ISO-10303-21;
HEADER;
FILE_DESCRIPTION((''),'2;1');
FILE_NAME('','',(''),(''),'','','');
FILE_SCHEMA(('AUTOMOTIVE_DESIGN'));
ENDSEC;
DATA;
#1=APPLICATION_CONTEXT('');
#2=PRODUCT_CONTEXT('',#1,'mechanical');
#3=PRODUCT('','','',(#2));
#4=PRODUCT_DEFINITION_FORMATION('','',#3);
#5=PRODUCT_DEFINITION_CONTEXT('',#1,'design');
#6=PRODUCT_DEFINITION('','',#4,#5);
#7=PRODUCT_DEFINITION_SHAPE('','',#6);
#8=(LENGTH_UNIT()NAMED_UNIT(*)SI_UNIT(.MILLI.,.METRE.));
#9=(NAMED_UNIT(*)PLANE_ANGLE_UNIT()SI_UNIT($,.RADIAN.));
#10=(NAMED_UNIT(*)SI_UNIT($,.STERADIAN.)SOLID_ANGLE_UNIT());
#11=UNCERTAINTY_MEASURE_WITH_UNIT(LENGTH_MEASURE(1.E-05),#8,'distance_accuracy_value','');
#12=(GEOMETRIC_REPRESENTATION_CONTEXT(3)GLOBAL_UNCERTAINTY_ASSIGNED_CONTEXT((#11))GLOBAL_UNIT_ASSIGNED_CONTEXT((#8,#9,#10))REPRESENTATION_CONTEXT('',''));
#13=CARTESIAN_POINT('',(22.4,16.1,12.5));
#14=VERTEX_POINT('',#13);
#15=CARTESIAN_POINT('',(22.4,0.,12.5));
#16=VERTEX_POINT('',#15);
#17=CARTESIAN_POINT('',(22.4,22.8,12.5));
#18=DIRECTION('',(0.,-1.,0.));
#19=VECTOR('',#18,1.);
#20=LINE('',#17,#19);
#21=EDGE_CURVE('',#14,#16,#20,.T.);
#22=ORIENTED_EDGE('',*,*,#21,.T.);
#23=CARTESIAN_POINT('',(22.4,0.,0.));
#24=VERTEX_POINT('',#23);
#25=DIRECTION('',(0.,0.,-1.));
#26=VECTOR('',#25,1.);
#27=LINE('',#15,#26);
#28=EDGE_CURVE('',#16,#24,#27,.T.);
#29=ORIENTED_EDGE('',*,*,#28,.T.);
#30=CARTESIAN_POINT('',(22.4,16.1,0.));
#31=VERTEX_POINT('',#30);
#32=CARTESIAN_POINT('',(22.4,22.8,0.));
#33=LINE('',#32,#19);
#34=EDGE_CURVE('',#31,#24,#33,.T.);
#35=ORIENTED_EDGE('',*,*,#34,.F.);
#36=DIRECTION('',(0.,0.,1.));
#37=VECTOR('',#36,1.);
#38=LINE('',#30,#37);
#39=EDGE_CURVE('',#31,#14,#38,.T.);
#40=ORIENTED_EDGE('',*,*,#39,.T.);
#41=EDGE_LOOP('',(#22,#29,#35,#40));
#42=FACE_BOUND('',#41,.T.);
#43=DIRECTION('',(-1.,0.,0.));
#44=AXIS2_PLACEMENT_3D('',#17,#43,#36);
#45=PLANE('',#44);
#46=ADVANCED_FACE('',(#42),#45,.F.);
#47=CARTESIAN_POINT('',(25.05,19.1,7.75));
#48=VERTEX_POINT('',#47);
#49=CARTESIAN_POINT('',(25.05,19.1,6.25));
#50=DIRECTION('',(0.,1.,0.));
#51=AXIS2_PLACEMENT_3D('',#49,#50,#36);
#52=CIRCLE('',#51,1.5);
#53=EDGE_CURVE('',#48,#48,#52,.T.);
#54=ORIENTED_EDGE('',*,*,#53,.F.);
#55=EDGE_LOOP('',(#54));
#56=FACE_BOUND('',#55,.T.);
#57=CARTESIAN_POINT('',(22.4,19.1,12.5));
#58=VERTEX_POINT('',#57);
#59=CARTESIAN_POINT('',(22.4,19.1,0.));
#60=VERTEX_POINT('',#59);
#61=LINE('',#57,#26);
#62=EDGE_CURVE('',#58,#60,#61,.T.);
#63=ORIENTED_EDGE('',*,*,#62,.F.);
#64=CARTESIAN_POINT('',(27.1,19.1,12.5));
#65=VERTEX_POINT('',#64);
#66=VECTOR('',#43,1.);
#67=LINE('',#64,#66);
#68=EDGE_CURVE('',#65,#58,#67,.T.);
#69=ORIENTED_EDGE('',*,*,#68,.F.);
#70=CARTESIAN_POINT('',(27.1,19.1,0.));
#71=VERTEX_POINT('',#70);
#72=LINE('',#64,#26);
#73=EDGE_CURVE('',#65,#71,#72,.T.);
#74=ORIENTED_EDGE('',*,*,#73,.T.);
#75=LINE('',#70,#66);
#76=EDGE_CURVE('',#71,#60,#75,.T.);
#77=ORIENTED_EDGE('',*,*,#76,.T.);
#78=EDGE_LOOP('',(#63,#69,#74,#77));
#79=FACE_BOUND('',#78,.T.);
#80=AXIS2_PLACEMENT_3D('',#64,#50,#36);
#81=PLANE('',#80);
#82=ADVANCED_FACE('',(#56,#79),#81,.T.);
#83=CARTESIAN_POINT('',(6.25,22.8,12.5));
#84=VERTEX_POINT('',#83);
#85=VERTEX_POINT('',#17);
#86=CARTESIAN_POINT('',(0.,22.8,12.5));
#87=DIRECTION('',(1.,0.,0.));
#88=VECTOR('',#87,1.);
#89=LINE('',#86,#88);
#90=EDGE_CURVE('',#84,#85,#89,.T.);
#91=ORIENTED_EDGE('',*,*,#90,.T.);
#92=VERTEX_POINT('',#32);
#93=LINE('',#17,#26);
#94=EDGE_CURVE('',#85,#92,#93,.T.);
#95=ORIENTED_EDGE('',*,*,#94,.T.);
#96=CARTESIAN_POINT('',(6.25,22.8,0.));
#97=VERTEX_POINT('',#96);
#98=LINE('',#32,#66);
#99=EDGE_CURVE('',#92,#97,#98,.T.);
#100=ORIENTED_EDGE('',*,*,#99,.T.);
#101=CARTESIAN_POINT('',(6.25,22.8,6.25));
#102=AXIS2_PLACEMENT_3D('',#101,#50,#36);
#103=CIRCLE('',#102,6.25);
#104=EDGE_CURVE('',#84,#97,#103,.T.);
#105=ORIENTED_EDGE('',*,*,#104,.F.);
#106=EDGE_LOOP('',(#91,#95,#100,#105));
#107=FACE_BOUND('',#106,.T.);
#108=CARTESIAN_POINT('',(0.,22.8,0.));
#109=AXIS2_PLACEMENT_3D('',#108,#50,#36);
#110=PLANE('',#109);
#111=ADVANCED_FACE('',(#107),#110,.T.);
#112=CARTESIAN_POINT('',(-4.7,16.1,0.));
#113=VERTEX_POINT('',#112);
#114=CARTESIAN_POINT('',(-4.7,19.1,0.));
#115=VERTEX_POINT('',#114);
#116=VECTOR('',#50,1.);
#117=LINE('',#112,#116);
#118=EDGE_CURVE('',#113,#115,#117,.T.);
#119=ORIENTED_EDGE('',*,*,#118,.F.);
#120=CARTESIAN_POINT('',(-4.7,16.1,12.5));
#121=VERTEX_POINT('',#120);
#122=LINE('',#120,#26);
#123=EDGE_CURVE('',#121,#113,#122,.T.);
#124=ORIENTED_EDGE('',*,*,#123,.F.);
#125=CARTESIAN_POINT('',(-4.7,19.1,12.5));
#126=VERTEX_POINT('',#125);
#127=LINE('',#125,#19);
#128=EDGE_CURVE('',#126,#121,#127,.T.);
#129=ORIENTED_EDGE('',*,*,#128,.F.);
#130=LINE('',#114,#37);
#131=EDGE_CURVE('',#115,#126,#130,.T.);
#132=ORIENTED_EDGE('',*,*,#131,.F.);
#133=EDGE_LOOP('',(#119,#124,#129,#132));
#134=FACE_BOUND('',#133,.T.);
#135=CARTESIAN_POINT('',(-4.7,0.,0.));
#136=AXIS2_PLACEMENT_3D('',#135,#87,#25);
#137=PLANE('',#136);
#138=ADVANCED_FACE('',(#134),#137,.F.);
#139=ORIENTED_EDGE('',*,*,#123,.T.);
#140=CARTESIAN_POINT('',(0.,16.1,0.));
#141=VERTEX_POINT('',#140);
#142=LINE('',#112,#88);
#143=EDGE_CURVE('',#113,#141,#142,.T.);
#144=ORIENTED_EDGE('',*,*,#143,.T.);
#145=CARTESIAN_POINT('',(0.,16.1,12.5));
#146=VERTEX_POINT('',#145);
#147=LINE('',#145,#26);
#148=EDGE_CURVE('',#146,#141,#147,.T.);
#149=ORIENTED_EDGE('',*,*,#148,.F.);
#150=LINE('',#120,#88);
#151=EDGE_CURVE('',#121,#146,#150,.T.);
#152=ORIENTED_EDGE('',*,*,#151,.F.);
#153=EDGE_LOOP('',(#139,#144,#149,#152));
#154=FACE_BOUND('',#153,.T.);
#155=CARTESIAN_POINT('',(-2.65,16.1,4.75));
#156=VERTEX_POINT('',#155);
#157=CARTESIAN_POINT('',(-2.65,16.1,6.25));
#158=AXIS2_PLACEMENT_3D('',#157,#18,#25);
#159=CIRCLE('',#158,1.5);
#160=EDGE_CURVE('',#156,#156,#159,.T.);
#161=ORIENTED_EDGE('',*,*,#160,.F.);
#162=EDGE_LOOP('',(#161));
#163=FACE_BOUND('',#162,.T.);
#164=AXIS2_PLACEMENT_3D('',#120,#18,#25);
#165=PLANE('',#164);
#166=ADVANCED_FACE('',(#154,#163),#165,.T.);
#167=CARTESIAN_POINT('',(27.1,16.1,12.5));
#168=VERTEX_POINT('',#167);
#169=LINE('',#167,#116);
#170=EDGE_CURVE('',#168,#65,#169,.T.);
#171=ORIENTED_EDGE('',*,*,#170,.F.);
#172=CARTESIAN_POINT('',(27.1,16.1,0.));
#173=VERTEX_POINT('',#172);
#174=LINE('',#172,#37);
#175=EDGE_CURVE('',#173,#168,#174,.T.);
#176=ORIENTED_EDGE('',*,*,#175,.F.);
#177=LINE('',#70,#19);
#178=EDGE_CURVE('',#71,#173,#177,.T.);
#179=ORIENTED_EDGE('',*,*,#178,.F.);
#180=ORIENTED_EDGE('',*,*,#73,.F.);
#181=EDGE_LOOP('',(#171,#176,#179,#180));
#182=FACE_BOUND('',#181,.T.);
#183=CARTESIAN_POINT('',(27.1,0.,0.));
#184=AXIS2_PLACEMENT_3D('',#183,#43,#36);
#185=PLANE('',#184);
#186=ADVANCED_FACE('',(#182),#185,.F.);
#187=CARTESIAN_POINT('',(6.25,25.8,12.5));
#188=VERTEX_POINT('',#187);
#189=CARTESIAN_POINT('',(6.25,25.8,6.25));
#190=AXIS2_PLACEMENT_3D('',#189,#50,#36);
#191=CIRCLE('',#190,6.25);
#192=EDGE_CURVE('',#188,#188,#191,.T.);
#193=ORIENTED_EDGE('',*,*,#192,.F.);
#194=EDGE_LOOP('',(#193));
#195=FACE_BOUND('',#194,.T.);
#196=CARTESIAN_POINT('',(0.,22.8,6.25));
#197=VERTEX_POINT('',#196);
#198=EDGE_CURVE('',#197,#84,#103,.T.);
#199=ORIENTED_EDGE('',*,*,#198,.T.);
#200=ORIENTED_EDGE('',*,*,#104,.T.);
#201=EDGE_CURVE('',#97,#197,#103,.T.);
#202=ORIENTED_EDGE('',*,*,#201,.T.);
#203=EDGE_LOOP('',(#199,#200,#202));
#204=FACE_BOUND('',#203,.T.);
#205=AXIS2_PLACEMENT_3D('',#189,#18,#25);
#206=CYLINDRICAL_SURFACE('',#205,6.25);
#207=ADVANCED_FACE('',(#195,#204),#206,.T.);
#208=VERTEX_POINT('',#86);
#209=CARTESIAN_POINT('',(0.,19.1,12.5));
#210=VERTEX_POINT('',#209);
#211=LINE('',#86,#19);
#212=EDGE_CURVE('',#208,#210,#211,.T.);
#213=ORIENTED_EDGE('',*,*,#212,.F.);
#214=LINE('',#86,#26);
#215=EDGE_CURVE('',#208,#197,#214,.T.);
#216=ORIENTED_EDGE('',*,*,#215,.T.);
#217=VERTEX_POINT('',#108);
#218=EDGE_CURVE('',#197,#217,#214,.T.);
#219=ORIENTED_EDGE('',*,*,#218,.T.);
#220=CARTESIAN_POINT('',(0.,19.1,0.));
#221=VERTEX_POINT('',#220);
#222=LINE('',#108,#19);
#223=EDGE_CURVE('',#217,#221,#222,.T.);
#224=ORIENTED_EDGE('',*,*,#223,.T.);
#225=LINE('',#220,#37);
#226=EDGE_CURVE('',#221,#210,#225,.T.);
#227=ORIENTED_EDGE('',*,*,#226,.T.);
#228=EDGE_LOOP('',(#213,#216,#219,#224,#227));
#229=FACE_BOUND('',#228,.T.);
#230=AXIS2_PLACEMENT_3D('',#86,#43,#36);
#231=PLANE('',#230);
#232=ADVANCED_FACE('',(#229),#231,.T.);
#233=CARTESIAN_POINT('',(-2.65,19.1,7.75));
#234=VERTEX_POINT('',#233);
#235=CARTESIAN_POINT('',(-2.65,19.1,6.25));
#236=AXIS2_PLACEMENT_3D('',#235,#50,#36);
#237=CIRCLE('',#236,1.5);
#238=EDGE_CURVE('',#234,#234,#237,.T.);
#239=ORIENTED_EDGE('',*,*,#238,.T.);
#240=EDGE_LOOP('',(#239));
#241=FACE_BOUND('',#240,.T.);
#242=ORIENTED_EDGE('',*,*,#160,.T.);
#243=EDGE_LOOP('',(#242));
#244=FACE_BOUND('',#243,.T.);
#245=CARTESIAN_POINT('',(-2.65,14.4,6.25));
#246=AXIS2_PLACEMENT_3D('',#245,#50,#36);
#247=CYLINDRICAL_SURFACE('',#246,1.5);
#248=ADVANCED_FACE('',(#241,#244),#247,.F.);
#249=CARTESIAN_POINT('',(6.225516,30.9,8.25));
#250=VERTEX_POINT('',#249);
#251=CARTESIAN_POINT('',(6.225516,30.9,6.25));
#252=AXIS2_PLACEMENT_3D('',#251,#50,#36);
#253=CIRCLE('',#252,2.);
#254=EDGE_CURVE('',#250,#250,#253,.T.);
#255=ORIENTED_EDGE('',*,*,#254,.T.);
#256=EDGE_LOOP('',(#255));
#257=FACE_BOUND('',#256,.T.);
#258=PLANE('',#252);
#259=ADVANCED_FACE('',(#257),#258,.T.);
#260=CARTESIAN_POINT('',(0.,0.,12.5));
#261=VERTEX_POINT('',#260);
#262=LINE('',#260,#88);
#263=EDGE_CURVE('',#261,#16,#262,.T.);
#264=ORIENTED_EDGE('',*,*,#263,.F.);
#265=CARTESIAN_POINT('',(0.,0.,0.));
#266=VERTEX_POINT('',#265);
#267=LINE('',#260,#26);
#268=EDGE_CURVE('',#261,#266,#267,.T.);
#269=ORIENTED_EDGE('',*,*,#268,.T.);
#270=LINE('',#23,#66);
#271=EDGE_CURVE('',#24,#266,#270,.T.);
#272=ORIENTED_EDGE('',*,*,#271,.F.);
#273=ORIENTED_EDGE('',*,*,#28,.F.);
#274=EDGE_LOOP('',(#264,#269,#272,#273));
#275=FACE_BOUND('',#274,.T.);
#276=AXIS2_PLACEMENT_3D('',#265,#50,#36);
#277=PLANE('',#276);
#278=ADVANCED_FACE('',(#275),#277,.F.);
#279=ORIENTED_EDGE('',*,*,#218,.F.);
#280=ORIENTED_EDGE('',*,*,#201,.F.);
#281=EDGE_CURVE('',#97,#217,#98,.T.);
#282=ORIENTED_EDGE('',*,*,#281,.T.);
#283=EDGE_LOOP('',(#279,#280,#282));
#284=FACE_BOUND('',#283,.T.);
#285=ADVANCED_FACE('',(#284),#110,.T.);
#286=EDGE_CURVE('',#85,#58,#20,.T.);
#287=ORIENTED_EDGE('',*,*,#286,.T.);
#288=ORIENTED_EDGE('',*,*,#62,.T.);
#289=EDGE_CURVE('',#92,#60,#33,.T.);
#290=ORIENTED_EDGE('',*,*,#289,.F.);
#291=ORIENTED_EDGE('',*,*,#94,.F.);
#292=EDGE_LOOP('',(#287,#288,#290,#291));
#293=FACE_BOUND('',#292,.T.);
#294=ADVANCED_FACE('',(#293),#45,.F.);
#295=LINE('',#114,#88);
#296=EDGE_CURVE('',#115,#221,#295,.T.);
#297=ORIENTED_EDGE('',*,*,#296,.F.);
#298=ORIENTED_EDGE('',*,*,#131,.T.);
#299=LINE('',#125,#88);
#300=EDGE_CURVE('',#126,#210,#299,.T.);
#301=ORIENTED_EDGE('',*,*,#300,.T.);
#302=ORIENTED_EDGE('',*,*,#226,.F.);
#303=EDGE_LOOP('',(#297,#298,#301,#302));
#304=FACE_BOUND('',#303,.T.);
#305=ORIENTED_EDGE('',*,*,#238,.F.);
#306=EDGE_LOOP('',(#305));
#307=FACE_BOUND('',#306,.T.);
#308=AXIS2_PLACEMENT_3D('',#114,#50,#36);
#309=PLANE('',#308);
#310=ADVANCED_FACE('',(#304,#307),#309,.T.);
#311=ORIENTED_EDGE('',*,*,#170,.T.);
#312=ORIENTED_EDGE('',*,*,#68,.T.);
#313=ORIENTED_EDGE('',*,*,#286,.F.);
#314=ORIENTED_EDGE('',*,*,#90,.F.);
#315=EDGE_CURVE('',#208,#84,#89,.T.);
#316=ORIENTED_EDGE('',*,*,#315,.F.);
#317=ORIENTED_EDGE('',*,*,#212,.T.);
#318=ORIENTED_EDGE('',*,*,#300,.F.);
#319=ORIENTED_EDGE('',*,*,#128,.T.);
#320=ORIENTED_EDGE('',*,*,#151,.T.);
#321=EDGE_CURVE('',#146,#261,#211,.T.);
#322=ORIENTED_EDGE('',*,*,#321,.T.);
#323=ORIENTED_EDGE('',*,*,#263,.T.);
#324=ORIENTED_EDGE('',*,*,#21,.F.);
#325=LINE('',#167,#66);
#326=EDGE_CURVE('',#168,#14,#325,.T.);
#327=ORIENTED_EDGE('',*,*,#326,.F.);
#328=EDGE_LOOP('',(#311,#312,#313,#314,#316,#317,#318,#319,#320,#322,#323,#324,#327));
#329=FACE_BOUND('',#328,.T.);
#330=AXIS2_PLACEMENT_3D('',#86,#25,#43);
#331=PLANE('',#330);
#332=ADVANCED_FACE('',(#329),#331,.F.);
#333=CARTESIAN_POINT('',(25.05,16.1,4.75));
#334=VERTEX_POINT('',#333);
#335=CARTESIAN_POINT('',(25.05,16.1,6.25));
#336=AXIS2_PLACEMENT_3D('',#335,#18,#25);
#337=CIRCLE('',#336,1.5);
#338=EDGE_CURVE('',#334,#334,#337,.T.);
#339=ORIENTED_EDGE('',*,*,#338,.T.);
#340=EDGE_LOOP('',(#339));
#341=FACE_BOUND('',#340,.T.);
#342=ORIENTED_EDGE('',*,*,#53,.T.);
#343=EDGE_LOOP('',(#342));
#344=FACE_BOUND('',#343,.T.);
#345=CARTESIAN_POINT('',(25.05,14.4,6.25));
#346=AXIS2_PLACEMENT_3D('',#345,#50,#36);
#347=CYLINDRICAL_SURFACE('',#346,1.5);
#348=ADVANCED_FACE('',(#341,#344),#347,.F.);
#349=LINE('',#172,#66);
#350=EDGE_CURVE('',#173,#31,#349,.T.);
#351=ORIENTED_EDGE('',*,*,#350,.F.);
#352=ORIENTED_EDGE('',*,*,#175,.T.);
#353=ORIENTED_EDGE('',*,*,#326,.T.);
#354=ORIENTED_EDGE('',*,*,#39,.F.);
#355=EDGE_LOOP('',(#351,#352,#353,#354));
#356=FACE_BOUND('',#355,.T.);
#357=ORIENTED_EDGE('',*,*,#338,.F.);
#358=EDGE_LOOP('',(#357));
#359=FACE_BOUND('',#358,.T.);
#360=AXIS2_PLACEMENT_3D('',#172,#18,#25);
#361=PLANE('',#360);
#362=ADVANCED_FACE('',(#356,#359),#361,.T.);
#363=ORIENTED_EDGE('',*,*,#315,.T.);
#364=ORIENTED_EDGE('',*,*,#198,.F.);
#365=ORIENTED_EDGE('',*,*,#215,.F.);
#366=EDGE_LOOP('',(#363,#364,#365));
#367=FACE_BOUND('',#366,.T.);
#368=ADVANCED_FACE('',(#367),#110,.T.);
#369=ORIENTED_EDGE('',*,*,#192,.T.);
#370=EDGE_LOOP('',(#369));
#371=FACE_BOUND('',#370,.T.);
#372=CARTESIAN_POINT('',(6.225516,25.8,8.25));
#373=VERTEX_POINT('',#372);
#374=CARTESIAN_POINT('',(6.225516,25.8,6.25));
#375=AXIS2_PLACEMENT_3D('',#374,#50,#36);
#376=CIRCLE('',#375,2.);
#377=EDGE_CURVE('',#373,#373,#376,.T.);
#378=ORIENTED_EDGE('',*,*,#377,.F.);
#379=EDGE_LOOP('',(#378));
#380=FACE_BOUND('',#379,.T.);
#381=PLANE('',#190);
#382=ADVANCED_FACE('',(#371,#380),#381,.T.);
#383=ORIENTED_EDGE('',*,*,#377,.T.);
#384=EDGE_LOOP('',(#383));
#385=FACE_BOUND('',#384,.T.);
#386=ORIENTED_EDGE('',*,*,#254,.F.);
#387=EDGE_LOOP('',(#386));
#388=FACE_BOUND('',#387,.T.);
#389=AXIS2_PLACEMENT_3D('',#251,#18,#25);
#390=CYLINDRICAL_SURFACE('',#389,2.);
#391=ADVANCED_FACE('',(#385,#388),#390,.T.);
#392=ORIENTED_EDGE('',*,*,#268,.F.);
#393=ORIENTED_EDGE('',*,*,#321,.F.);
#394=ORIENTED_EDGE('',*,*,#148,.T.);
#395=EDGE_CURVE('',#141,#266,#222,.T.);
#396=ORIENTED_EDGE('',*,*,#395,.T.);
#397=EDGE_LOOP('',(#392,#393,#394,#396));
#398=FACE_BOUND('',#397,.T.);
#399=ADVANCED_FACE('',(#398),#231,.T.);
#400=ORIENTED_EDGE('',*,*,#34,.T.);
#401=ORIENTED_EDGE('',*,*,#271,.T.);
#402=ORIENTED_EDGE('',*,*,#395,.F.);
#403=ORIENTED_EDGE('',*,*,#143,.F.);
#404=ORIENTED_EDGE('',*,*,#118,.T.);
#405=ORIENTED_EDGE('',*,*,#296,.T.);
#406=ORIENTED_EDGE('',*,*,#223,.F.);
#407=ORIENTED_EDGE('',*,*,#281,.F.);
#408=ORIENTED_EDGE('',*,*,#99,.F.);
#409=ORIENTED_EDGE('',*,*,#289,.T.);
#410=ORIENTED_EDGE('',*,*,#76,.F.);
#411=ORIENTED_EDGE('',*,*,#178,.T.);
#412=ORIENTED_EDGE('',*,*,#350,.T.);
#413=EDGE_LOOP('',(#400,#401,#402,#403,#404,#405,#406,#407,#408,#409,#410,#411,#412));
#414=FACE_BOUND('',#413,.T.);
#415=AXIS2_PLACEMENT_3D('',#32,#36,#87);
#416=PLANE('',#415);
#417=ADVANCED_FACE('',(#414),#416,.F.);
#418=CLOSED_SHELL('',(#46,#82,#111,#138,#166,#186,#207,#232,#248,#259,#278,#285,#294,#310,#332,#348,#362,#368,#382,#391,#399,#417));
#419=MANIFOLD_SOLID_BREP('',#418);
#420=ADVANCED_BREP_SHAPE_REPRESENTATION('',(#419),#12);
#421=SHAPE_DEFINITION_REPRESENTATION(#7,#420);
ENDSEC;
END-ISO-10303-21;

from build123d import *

# Parameters (mm, degrees)
SKETCH_1_W          = 22.4
SKETCH_1_H          = 12.5
EXTRUDE_1_DEPTH     = 22.8
SKETCH_2_W          = 12.5
SKETCH_2_H          = 3
EXTRUDE_2_DEPTH     = 4.7
SKETCH_3_W          = 12.5
SKETCH_3_H          = 3
EXTRUDE_3_DEPTH     = 4.7
SKETCH_4_R          = 1.5
CUT_EXTRUDE_1_DEPTH = 4.7
SKETCH_5_R          = 6.25
EXTRUDE_5_DEPTH     = 3
SKETCH_6_R          = 2
EXTRUDE_6_DEPTH     = 5.1


with BuildPart() as part:
    # 草图1 → 凸台-拉伸1 (new body)
    with BuildSketch(Plane(origin=(0, 0, 0), x_dir=(1, 0, 0), z_dir=(0, 1, 0))):
        with Locations((11.2, -6.25)):
            Rectangle(SKETCH_1_W, SKETCH_1_H)
    extrude(amount=EXTRUDE_1_DEPTH)

    # 草图2 → 凸台-拉伸2 (add)
    with BuildSketch(Plane(origin=(22.4, 0, 0), x_dir=(0, 0, -1), z_dir=(1, 0, 0))):
        with Locations((-6.25, 17.6)):
            Rectangle(SKETCH_2_W, SKETCH_2_H)
    extrude(amount=EXTRUDE_2_DEPTH)

    # 草图3 → 凸台-拉伸3 (add)
    with BuildSketch(Plane.ZY):
        with Locations((6.25, 17.6)):
            Rectangle(SKETCH_3_W, SKETCH_3_H)
    extrude(amount=EXTRUDE_3_DEPTH)

    # 草图4 → 切除-拉伸1 (cut)
    with BuildSketch(Plane(origin=(0, 19.1, 0), x_dir=(1, 0, 0), z_dir=(0, 1, 0))):
        with Locations((-2.65, -6.25)):
            Circle(SKETCH_4_R)
        with Locations((25.05, -6.25)):
            Circle(SKETCH_4_R)
    extrude(amount=-CUT_EXTRUDE_1_DEPTH, mode=Mode.SUBTRACT)

    # 草图5 → 凸台-拉伸5 (add)
    with BuildSketch(Plane(origin=(0, 22.8, 0), x_dir=(1, 0, 0), z_dir=(0, 1, 0))):
        with Locations((6.25, -6.25)):
            Circle(SKETCH_5_R)
    extrude(amount=EXTRUDE_5_DEPTH)

    # 草图6 → 凸台-拉伸6 (add)
    with BuildSketch(Plane(origin=(0, 25.8, 0), x_dir=(1, 0, 0), z_dir=(0, 1, 0))):
        with Locations((6.225516092, -6.25)):
            Circle(SKETCH_6_R)
    extrude(amount=EXTRUDE_6_DEPTH)


solid = part.part
